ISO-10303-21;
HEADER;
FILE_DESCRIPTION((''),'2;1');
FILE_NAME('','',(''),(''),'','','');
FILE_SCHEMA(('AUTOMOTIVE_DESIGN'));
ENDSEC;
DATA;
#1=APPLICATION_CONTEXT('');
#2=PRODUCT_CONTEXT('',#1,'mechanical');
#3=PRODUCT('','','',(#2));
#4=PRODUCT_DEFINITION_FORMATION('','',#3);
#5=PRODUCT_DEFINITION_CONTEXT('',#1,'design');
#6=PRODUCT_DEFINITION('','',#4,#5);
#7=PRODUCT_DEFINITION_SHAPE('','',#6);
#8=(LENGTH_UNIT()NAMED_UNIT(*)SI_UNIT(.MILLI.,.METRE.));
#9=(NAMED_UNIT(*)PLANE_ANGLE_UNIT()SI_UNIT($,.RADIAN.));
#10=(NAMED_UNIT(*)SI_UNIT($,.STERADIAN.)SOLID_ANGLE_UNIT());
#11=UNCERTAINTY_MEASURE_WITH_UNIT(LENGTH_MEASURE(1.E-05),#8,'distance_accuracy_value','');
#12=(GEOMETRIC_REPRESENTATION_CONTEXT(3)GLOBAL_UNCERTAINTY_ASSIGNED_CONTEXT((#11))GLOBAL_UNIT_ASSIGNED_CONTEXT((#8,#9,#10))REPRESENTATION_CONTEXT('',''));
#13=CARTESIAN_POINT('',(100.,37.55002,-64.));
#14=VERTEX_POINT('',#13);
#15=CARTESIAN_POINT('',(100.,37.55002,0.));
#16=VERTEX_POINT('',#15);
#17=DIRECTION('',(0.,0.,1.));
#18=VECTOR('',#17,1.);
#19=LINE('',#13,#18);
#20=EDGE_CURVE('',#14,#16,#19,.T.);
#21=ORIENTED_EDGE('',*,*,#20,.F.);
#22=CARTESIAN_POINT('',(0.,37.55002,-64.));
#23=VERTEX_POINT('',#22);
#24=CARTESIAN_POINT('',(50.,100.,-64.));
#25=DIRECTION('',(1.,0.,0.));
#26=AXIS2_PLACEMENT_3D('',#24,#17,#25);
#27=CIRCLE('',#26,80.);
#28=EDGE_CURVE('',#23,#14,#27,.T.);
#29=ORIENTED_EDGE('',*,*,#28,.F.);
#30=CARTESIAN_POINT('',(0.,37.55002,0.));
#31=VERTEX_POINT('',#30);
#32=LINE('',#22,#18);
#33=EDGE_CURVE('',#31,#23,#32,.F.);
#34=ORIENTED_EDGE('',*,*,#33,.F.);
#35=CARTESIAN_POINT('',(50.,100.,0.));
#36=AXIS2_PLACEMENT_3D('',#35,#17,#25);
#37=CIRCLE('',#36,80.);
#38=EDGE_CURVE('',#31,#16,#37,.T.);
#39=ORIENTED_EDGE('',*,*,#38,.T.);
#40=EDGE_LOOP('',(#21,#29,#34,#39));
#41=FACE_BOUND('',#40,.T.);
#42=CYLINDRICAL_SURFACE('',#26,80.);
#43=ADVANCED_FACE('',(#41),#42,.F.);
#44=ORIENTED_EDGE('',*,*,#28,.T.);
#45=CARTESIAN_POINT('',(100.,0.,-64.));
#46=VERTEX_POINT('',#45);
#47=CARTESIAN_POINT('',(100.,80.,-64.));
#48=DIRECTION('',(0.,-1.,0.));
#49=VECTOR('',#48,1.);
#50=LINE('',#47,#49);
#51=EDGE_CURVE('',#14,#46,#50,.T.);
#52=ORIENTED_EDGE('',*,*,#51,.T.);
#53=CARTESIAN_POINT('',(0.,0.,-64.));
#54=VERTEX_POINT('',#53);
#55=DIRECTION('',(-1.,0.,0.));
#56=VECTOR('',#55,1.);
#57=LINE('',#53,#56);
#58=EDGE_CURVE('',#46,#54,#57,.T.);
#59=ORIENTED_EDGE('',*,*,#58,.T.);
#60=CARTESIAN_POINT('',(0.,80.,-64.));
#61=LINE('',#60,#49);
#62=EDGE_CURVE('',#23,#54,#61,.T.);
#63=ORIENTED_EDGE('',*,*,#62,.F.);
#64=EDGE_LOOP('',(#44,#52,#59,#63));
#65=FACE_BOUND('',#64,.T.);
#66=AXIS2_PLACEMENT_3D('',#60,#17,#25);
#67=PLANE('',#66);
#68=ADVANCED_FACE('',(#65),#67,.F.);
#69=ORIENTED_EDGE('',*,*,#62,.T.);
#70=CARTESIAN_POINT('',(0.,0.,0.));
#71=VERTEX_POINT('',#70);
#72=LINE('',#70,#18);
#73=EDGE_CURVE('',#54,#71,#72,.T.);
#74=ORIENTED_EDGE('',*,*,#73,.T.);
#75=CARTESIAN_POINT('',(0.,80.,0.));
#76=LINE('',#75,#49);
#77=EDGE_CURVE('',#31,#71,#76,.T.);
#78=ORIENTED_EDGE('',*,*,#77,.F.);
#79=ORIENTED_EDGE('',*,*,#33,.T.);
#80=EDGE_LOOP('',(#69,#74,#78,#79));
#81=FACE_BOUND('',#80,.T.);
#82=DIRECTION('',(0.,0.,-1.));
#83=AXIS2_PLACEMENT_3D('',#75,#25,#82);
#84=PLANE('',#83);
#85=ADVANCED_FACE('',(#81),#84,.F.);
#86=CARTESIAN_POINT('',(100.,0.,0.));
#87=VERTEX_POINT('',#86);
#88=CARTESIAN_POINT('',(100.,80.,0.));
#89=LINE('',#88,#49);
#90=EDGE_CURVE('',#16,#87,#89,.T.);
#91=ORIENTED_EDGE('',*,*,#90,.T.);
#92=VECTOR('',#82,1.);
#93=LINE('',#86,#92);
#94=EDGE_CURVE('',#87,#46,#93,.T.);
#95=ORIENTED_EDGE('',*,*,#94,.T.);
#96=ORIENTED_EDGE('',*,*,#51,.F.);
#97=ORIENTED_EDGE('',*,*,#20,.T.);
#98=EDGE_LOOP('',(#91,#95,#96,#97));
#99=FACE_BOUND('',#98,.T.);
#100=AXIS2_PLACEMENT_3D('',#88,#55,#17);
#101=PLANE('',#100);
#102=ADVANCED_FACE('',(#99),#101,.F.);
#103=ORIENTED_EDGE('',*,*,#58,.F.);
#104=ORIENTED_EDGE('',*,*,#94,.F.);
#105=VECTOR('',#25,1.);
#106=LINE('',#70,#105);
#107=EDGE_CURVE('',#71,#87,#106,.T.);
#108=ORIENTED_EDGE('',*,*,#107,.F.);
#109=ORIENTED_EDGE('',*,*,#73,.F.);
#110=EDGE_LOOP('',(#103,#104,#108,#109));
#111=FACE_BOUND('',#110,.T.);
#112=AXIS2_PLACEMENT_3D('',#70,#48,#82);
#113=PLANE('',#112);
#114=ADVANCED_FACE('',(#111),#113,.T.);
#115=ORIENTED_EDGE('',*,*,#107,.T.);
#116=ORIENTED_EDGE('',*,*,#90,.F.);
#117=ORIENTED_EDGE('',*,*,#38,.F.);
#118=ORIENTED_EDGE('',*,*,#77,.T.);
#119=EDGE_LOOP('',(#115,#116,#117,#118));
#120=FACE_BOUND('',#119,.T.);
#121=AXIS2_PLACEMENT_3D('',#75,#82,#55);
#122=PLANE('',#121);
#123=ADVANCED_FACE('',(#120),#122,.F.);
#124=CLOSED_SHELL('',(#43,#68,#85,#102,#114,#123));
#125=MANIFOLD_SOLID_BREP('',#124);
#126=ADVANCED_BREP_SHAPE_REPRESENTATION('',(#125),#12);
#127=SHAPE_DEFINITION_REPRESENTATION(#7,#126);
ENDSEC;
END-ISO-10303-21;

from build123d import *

# Parameters (mm, degrees)
SKETCH1_W           = 100
SKETCH1_H           = 64
BOSS_EXTRUDE1_DEPTH = 80
CUT_EXTRUDE1_DEPTH  = 144.164241345


with BuildPart() as part:
    # Sketch1 → Boss-Extrude1 (new body)
    with BuildSketch(Plane(origin=(0, 0, 0), x_dir=(1, 0, 0), z_dir=(0, 1, 0))):
        with Locations((50, 32)):
            Rectangle(SKETCH1_W, SKETCH1_H)
    extrude(amount=BOSS_EXTRUDE1_DEPTH)

    # Sketch2 → Cut-Extrude1 (cut, through all)
    with BuildSketch(Plane.XY):
        with BuildLine():
            Line((-30, 100), (130, 100))
            ThreePointArc((130, 100), (50, 20), (-30, 100))
        make_face()
    extrude(amount=-CUT_EXTRUDE1_DEPTH, mode=Mode.SUBTRACT)


solid = part.part
